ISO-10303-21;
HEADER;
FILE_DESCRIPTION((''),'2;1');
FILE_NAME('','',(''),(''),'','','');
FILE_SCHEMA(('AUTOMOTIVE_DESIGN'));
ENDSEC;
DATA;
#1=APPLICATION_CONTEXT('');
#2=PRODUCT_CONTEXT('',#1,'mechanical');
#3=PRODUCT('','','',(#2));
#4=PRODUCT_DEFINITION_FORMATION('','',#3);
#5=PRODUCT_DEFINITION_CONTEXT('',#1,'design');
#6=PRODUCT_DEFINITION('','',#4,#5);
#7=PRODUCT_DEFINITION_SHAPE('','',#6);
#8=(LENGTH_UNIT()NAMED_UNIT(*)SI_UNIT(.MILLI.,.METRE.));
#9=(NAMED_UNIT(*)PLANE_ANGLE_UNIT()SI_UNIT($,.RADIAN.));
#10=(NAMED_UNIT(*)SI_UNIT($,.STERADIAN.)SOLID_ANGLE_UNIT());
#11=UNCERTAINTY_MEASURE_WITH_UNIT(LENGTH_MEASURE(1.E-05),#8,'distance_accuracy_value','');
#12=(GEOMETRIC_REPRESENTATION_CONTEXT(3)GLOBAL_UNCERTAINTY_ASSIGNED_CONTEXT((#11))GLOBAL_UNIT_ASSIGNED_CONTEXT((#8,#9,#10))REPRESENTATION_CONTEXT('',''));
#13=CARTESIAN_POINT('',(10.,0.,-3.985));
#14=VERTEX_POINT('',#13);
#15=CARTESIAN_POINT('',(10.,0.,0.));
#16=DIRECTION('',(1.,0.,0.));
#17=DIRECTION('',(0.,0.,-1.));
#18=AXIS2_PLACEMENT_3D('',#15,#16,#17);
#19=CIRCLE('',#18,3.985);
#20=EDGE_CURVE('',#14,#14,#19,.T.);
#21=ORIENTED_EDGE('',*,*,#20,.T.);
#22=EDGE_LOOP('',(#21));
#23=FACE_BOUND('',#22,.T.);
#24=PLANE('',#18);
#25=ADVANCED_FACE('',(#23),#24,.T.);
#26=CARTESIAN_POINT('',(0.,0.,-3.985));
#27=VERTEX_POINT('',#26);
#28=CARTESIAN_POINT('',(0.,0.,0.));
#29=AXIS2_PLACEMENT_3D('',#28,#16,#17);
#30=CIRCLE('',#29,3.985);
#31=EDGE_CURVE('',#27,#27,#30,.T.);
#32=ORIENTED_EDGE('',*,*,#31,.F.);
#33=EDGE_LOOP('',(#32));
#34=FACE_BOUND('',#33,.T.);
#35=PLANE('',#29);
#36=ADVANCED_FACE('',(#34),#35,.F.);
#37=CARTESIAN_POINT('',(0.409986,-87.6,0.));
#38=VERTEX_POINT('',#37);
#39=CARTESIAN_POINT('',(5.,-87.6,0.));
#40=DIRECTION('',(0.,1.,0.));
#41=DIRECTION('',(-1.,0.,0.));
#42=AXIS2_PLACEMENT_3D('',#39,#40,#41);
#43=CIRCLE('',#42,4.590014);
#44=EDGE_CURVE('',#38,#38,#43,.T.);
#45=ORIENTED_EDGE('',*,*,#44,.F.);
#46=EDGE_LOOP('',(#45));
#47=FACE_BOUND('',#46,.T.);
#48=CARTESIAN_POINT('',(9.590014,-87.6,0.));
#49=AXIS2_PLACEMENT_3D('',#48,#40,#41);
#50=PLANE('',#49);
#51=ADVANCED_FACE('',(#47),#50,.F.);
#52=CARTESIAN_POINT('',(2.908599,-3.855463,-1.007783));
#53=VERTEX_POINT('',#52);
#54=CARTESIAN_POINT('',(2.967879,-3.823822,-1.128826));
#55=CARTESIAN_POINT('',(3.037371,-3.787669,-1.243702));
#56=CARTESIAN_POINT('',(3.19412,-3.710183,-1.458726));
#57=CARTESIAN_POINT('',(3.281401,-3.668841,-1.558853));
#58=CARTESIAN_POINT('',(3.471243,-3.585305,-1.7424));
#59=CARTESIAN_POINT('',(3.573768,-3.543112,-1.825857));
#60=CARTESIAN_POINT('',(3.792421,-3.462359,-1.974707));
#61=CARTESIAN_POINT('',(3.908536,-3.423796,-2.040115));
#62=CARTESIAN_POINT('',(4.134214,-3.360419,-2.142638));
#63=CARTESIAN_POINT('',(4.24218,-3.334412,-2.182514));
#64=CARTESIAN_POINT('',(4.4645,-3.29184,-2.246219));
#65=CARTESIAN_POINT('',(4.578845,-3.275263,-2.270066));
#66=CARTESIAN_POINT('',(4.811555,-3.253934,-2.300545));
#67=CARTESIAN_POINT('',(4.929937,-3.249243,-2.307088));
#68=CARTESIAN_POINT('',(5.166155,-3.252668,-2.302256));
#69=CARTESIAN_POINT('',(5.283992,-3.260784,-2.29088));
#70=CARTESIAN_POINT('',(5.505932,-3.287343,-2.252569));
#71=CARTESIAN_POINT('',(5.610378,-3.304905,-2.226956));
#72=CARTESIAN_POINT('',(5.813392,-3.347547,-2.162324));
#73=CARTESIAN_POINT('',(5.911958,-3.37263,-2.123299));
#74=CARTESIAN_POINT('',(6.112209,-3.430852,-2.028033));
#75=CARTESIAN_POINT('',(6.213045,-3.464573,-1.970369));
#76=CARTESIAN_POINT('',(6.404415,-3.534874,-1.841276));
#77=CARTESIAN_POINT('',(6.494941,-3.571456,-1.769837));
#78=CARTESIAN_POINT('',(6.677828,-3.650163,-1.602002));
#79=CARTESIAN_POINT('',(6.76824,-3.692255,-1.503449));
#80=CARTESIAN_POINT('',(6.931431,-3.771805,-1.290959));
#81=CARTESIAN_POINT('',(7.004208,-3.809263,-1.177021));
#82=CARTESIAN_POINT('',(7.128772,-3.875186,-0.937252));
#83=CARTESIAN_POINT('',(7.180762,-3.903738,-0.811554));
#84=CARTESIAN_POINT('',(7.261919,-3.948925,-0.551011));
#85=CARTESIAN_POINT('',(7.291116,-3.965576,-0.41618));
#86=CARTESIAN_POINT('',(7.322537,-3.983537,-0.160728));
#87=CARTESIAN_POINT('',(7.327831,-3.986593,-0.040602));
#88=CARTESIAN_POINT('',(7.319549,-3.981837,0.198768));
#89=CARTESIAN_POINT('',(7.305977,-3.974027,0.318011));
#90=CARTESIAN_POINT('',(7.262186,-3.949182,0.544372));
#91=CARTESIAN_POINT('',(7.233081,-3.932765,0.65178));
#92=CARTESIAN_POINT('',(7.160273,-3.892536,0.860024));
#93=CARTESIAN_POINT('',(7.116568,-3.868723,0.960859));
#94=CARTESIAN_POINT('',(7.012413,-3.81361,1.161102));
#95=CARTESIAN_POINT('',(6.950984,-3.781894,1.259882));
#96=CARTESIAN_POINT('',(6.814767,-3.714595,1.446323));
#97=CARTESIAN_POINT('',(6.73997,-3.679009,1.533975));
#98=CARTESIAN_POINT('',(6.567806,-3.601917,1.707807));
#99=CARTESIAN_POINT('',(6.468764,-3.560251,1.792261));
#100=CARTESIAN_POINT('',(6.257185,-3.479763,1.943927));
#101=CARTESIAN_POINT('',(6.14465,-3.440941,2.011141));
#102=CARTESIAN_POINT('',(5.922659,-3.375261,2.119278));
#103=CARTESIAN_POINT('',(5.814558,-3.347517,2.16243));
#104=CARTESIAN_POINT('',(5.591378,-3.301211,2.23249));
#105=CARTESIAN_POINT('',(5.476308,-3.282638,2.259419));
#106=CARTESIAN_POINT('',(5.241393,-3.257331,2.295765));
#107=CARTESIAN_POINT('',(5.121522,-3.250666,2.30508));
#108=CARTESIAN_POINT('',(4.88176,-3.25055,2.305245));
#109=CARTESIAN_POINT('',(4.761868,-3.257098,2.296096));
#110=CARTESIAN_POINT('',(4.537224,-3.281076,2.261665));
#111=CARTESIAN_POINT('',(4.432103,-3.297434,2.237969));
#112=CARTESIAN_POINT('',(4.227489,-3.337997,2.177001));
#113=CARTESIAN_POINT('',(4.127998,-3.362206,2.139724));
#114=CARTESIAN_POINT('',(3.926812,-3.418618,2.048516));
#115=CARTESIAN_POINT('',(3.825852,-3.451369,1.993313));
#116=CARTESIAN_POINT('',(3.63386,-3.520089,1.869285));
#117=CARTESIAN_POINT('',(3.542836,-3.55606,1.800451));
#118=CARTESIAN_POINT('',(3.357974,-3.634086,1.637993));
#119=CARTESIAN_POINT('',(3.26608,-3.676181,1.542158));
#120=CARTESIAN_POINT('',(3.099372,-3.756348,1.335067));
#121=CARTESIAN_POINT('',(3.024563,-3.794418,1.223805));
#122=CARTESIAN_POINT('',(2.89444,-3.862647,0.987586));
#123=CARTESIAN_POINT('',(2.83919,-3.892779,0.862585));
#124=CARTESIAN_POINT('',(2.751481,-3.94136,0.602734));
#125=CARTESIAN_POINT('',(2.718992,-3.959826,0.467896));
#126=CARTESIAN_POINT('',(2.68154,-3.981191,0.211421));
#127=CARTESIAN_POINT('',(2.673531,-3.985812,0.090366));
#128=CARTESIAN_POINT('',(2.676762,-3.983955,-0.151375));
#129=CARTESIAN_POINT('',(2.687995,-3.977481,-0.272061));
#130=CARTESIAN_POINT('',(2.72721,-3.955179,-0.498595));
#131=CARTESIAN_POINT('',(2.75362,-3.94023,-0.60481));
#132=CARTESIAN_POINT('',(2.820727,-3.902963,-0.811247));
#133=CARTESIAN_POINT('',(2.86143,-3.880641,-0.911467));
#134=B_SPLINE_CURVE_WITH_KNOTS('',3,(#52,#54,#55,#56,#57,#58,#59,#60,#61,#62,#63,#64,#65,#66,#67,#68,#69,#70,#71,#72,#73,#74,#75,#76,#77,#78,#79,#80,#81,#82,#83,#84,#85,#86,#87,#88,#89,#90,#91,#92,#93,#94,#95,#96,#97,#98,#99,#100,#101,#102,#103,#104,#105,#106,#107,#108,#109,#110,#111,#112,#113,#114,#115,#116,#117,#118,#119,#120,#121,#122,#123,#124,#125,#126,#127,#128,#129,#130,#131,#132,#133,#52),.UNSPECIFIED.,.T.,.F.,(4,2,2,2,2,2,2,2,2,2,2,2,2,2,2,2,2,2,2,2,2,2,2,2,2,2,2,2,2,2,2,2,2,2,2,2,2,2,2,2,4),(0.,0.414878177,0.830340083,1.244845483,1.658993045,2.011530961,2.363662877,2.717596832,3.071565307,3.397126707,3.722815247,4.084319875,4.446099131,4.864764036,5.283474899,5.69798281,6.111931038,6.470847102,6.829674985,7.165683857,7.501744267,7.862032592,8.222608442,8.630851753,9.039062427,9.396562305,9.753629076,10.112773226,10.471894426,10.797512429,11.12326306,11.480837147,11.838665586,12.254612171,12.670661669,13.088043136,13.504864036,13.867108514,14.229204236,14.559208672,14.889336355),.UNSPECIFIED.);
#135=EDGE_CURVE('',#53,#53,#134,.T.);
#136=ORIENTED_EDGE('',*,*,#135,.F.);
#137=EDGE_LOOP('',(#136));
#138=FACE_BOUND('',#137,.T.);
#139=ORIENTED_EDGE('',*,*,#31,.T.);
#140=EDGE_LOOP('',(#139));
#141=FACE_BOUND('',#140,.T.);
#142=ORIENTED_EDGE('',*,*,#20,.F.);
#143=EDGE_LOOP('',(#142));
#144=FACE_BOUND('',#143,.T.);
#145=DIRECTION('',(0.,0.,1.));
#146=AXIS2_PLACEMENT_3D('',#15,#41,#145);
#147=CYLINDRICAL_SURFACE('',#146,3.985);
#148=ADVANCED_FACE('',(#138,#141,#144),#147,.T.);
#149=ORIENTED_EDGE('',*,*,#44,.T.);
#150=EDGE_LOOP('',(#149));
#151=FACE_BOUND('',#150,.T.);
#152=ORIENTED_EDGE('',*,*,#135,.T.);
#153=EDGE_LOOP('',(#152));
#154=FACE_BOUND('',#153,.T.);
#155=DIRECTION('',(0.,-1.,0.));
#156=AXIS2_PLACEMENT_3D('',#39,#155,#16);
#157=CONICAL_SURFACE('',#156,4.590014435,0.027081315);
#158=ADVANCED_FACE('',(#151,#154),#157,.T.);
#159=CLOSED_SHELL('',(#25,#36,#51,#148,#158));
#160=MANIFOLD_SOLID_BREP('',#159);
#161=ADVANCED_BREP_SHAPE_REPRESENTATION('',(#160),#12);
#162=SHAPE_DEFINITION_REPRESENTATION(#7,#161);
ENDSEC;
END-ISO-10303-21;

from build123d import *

# Parameters (mm, degrees)
SKETCH_1_R      = 3.985
EXTRUDE_1_DEPTH = 10


with BuildPart() as part:
    # 草图1 → 凸台-拉伸1 (new body)
    with BuildSketch(Plane(origin=(0, 0, 0), x_dir=(0, 0, -1), z_dir=(1, 0, 0))):
        Circle(SKETCH_1_R)
    extrude(amount=EXTRUDE_1_DEPTH)

    # 草图2 → 旋转1 (revolve)
    with BuildSketch(Plane.XY, mode=Mode.PRIVATE) as revolve_1_sk:
        Polygon((5, 0), (7.217111111, 0), (9.590014435, -87.6), (5, -87.6), align=None)
    revolve(revolve_1_sk.sketch.rotate(Axis((5, 0, 0), (0, -1, 0)), 205.728028053), axis=Axis((5, 0, 0), (0, -1, 0)))


solid = part.part
